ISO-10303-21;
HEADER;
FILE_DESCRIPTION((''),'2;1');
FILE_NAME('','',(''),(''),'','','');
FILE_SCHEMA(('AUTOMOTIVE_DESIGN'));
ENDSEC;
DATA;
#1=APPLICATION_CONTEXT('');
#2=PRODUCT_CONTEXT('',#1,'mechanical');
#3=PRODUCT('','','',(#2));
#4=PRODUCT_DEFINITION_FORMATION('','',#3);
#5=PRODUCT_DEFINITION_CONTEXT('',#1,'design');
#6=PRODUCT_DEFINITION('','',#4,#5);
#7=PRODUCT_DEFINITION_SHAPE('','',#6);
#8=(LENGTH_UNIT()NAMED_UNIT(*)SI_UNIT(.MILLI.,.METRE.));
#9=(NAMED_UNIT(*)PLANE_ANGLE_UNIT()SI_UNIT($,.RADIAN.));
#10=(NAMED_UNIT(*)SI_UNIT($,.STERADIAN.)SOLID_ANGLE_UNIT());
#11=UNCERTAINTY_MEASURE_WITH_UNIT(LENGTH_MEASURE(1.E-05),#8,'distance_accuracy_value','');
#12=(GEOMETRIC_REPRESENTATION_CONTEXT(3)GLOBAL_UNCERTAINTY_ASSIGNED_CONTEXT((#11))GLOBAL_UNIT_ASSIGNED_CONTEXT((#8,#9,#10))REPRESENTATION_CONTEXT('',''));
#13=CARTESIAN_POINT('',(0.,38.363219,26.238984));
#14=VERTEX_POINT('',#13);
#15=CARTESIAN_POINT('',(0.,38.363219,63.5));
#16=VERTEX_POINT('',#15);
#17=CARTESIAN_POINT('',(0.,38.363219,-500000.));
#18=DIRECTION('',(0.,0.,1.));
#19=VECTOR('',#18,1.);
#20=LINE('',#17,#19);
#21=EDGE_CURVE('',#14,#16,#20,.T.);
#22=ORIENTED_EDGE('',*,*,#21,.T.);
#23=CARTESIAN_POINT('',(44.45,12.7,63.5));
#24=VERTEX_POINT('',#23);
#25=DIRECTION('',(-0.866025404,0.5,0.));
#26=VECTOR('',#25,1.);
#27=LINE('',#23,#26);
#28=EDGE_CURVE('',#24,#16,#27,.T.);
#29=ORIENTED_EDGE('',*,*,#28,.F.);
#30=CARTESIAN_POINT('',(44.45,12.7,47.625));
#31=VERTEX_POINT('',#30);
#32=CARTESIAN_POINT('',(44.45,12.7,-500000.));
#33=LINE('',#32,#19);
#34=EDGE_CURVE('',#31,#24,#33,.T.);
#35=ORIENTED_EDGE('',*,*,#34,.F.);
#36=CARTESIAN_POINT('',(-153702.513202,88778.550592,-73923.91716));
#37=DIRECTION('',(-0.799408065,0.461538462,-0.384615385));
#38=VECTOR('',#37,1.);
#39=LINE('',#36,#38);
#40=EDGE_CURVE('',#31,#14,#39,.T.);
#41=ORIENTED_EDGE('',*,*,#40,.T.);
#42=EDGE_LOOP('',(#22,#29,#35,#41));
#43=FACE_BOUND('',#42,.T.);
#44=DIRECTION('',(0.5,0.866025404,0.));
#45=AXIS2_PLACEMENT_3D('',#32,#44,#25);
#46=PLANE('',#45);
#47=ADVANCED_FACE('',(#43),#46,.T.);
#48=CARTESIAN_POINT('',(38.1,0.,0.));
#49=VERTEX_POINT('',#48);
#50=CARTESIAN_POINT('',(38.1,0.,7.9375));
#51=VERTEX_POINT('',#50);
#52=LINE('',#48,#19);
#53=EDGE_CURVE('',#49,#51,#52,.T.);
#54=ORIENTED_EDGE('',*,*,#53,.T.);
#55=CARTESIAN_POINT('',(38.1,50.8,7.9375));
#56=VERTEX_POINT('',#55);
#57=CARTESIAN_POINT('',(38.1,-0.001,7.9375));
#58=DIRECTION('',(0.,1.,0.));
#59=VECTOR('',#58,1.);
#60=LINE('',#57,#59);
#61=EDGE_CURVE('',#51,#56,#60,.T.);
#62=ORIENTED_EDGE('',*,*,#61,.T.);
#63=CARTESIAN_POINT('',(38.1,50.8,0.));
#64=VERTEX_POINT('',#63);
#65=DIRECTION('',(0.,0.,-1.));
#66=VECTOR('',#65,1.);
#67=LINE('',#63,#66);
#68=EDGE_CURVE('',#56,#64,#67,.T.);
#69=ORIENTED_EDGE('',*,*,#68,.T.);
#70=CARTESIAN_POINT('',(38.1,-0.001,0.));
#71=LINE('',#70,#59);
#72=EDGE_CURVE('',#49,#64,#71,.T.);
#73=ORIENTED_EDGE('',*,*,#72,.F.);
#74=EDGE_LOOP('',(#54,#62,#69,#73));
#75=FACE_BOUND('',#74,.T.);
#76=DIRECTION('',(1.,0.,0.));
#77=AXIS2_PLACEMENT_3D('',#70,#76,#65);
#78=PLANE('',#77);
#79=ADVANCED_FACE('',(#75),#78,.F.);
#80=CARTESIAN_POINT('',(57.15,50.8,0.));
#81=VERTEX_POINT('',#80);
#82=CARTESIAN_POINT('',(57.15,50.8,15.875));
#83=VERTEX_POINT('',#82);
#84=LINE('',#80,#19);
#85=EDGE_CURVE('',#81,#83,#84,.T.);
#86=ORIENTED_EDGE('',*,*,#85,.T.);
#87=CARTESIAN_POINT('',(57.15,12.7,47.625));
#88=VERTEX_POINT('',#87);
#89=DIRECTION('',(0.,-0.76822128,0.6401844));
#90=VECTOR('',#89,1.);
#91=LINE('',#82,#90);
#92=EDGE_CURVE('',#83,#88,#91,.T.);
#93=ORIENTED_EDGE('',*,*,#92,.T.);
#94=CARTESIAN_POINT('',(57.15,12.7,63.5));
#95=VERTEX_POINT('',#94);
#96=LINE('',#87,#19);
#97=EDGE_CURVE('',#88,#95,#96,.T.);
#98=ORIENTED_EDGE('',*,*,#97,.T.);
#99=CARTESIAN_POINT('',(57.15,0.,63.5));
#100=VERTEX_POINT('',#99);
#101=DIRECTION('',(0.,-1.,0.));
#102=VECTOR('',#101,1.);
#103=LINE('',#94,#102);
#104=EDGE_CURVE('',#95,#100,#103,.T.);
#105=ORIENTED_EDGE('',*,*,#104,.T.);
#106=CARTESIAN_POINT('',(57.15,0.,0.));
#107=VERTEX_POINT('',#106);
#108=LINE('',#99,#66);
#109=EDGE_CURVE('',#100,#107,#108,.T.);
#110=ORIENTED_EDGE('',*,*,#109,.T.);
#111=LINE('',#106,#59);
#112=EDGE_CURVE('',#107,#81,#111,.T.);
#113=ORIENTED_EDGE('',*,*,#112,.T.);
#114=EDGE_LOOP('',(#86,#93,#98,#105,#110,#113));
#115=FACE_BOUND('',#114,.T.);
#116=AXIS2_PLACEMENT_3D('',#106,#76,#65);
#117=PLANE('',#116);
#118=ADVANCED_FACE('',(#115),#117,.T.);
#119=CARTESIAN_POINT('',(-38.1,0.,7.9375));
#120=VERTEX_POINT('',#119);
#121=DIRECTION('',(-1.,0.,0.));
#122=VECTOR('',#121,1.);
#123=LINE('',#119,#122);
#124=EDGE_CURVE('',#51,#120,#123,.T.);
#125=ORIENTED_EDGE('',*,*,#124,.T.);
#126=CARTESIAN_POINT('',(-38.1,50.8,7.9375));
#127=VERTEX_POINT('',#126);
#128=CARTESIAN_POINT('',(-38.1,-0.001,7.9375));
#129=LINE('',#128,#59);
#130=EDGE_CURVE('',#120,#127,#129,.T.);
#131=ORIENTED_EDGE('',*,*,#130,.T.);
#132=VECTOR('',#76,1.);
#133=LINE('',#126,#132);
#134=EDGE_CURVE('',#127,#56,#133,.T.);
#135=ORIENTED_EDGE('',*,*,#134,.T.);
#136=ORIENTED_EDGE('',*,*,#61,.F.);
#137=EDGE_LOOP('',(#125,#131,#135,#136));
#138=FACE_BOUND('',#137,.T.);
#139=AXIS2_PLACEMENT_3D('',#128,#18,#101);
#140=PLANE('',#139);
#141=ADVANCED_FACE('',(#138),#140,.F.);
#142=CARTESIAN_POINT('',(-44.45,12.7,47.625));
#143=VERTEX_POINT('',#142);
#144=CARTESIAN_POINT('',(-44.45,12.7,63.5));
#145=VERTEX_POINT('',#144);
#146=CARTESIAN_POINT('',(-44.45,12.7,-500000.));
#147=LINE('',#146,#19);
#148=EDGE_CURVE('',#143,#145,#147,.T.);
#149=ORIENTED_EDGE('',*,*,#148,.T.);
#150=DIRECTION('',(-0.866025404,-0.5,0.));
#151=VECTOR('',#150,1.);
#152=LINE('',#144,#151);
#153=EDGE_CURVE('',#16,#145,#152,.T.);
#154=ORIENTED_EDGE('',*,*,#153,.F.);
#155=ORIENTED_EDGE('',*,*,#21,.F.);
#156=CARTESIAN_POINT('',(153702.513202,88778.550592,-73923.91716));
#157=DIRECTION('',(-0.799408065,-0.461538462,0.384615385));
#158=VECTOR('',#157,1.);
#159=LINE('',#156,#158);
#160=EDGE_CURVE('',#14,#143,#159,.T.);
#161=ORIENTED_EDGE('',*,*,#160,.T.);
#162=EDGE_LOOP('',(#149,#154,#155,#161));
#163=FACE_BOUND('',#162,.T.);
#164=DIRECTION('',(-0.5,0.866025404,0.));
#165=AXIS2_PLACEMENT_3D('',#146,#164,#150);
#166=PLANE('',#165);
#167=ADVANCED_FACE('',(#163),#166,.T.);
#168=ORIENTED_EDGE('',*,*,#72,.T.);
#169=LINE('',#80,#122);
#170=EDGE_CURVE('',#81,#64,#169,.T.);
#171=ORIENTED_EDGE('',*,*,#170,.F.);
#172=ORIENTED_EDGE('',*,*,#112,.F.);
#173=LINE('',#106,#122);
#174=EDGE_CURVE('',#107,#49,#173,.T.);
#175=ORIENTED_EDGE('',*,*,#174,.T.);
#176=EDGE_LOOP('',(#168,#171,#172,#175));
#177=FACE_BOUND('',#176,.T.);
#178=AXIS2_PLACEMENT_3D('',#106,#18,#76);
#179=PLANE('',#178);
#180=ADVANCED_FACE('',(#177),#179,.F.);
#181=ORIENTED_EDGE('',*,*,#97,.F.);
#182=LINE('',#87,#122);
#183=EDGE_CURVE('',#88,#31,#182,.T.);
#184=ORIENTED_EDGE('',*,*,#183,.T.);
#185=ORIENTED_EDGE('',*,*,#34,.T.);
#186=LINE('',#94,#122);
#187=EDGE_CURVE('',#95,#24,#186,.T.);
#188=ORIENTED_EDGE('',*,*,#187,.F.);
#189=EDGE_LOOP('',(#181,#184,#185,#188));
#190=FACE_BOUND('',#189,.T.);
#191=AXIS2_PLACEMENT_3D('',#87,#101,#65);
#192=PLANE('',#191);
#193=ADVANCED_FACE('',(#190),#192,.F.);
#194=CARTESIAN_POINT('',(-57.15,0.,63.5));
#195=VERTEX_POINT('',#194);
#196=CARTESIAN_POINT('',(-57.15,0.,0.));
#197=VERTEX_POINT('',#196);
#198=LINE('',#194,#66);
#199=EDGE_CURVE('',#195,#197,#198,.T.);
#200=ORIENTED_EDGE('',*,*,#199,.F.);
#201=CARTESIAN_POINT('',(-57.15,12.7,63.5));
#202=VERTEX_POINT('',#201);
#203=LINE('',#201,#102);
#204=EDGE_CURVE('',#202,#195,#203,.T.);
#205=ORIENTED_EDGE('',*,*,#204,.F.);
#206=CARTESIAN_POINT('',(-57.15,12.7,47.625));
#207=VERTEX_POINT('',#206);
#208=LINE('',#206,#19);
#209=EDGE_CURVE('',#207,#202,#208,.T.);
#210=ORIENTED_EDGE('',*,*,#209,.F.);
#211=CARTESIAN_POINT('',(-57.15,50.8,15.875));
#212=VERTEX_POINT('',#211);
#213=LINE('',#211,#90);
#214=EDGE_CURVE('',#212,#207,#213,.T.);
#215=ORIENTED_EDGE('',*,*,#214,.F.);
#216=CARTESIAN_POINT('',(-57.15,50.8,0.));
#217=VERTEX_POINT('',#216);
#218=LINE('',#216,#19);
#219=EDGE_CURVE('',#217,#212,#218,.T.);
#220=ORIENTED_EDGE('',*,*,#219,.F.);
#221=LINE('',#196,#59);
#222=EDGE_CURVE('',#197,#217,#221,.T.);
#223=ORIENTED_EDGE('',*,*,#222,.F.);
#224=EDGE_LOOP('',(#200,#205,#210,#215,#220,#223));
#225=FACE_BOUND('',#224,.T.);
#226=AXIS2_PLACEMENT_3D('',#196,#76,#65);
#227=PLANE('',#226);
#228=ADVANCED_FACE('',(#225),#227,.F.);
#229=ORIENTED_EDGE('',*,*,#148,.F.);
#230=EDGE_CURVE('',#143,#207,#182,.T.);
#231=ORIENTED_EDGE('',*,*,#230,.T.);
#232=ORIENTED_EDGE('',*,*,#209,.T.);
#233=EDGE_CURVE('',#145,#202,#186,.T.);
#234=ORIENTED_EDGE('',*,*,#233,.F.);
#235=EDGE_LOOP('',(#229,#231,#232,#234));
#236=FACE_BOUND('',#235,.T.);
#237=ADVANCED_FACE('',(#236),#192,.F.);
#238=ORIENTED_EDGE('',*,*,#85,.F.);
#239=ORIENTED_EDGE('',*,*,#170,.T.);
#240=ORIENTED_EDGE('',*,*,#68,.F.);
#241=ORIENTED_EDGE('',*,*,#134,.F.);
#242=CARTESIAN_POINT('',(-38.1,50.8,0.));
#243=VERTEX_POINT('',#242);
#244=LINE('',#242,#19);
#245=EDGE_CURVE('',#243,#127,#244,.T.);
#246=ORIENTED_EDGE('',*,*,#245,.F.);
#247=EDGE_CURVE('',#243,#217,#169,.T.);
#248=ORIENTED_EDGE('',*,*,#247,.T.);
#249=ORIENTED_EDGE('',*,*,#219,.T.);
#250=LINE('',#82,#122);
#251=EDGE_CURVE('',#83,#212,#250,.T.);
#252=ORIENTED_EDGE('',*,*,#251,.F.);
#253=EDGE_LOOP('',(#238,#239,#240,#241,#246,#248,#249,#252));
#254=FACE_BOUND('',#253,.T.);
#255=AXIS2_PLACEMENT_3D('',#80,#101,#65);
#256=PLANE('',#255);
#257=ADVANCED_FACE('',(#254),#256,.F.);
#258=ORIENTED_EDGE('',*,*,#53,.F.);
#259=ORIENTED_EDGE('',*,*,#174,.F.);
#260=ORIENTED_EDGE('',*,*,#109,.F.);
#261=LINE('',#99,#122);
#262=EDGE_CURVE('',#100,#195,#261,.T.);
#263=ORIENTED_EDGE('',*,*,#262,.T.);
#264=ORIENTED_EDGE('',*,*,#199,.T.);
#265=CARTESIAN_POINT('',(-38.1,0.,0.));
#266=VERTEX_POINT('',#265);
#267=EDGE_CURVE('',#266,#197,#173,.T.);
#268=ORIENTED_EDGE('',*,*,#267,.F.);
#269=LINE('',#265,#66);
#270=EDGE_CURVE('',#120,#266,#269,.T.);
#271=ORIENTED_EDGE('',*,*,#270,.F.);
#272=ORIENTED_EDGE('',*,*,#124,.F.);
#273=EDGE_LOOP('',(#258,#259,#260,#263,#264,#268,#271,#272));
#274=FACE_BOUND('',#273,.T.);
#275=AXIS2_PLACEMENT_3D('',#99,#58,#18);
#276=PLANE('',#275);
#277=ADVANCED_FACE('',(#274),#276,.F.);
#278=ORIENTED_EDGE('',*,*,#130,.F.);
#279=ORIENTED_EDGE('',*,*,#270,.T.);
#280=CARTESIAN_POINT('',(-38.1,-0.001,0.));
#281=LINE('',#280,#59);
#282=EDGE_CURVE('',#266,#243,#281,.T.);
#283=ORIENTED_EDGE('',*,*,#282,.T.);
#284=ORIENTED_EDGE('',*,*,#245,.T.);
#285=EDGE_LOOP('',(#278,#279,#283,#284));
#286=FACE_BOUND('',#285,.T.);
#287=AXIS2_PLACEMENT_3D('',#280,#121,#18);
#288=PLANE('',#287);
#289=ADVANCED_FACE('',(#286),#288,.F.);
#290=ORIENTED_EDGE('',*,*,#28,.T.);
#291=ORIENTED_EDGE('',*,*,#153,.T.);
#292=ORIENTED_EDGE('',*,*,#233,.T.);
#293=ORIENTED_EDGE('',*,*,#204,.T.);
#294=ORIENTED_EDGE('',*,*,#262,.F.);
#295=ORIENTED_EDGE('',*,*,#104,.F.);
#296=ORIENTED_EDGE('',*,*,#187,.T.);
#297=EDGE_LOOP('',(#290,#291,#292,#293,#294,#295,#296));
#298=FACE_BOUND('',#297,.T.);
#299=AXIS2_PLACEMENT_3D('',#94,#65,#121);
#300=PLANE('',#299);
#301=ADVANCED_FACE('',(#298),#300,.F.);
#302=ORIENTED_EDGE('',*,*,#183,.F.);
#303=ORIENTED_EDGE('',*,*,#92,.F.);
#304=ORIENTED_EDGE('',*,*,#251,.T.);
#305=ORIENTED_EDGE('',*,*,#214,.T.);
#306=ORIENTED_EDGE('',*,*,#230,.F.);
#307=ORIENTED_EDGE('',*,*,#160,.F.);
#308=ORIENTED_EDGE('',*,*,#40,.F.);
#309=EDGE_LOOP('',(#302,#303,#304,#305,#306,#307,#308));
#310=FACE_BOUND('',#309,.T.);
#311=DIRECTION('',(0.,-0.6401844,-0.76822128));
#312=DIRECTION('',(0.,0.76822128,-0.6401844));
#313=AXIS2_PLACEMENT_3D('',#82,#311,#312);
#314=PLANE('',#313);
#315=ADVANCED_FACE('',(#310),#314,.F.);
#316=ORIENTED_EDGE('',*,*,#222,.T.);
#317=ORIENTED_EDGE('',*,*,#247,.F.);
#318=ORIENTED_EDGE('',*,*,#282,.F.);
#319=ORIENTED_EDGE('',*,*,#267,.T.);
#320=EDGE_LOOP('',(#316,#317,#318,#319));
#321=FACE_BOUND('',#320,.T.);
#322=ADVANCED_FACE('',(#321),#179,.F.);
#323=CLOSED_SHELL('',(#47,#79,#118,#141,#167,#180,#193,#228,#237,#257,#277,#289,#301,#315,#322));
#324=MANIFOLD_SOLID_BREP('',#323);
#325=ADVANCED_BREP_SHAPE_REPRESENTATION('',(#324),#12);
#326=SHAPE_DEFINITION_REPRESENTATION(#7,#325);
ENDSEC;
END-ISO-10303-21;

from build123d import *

# Parameters (mm, degrees)
BOSS_EXTRUDE1_DEPTH = 57.15
BOSS_EXTRUDE2_REACH = 65.5
CUT_EXTRUDE1_REACH  = 52.8
SKETCH4_W           = 76.2
SKETCH4_H           = 7.9375


with BuildPart() as part:
    # Sketch2 → Boss-Extrude1 (new body, symmetric)
    with BuildSketch(Plane(origin=(0, 0, 0), x_dir=(0, 0, -1), z_dir=(1, 0, 0))):
        Polygon((-63.5, 0), (0, 0), (0, 50.8), (-15.875, 50.8), (-47.625, 12.7), (-63.5, 12.7), align=None)
    extrude(amount=BOSS_EXTRUDE1_DEPTH, both=True)

    # Sketch3 → Boss-Extrude2 (add, up to next)
    with BuildSketch(Plane.XY.offset(63.5), mode=Mode.PRIVATE) as boss_extrude2_sk1:
        Polygon((-44.45, 12.7), (44.45, 12.7), (0, 38.363219465), align=None)
    boss_extrude2_tool1 = extrude(boss_extrude2_sk1.sketch, amount=-BOSS_EXTRUDE2_REACH, mode=Mode.PRIVATE) - part.part
    add(boss_extrude2_tool1.solids().sort_by_distance((0, 21.254406, 63.5))[0])

    # Sketch4 → Cut-Extrude1 (cut, up to next)
    with BuildSketch(Plane(origin=(0, 50.8, 0), x_dir=(1, 0, 0), z_dir=(0, 1, 0)), mode=Mode.PRIVATE) as cut_extrude1_sk1:
        with Locations((0, -3.96875)):
            Rectangle(SKETCH4_W, SKETCH4_H)
    cut_extrude1_tool1 = extrude(cut_extrude1_sk1.sketch, amount=-CUT_EXTRUDE1_REACH, mode=Mode.PRIVATE) & part.part
    add(cut_extrude1_tool1.solids().sort_by_distance((0, 50.8, 3.96875))[0], mode=Mode.SUBTRACT)


solid = part.part
